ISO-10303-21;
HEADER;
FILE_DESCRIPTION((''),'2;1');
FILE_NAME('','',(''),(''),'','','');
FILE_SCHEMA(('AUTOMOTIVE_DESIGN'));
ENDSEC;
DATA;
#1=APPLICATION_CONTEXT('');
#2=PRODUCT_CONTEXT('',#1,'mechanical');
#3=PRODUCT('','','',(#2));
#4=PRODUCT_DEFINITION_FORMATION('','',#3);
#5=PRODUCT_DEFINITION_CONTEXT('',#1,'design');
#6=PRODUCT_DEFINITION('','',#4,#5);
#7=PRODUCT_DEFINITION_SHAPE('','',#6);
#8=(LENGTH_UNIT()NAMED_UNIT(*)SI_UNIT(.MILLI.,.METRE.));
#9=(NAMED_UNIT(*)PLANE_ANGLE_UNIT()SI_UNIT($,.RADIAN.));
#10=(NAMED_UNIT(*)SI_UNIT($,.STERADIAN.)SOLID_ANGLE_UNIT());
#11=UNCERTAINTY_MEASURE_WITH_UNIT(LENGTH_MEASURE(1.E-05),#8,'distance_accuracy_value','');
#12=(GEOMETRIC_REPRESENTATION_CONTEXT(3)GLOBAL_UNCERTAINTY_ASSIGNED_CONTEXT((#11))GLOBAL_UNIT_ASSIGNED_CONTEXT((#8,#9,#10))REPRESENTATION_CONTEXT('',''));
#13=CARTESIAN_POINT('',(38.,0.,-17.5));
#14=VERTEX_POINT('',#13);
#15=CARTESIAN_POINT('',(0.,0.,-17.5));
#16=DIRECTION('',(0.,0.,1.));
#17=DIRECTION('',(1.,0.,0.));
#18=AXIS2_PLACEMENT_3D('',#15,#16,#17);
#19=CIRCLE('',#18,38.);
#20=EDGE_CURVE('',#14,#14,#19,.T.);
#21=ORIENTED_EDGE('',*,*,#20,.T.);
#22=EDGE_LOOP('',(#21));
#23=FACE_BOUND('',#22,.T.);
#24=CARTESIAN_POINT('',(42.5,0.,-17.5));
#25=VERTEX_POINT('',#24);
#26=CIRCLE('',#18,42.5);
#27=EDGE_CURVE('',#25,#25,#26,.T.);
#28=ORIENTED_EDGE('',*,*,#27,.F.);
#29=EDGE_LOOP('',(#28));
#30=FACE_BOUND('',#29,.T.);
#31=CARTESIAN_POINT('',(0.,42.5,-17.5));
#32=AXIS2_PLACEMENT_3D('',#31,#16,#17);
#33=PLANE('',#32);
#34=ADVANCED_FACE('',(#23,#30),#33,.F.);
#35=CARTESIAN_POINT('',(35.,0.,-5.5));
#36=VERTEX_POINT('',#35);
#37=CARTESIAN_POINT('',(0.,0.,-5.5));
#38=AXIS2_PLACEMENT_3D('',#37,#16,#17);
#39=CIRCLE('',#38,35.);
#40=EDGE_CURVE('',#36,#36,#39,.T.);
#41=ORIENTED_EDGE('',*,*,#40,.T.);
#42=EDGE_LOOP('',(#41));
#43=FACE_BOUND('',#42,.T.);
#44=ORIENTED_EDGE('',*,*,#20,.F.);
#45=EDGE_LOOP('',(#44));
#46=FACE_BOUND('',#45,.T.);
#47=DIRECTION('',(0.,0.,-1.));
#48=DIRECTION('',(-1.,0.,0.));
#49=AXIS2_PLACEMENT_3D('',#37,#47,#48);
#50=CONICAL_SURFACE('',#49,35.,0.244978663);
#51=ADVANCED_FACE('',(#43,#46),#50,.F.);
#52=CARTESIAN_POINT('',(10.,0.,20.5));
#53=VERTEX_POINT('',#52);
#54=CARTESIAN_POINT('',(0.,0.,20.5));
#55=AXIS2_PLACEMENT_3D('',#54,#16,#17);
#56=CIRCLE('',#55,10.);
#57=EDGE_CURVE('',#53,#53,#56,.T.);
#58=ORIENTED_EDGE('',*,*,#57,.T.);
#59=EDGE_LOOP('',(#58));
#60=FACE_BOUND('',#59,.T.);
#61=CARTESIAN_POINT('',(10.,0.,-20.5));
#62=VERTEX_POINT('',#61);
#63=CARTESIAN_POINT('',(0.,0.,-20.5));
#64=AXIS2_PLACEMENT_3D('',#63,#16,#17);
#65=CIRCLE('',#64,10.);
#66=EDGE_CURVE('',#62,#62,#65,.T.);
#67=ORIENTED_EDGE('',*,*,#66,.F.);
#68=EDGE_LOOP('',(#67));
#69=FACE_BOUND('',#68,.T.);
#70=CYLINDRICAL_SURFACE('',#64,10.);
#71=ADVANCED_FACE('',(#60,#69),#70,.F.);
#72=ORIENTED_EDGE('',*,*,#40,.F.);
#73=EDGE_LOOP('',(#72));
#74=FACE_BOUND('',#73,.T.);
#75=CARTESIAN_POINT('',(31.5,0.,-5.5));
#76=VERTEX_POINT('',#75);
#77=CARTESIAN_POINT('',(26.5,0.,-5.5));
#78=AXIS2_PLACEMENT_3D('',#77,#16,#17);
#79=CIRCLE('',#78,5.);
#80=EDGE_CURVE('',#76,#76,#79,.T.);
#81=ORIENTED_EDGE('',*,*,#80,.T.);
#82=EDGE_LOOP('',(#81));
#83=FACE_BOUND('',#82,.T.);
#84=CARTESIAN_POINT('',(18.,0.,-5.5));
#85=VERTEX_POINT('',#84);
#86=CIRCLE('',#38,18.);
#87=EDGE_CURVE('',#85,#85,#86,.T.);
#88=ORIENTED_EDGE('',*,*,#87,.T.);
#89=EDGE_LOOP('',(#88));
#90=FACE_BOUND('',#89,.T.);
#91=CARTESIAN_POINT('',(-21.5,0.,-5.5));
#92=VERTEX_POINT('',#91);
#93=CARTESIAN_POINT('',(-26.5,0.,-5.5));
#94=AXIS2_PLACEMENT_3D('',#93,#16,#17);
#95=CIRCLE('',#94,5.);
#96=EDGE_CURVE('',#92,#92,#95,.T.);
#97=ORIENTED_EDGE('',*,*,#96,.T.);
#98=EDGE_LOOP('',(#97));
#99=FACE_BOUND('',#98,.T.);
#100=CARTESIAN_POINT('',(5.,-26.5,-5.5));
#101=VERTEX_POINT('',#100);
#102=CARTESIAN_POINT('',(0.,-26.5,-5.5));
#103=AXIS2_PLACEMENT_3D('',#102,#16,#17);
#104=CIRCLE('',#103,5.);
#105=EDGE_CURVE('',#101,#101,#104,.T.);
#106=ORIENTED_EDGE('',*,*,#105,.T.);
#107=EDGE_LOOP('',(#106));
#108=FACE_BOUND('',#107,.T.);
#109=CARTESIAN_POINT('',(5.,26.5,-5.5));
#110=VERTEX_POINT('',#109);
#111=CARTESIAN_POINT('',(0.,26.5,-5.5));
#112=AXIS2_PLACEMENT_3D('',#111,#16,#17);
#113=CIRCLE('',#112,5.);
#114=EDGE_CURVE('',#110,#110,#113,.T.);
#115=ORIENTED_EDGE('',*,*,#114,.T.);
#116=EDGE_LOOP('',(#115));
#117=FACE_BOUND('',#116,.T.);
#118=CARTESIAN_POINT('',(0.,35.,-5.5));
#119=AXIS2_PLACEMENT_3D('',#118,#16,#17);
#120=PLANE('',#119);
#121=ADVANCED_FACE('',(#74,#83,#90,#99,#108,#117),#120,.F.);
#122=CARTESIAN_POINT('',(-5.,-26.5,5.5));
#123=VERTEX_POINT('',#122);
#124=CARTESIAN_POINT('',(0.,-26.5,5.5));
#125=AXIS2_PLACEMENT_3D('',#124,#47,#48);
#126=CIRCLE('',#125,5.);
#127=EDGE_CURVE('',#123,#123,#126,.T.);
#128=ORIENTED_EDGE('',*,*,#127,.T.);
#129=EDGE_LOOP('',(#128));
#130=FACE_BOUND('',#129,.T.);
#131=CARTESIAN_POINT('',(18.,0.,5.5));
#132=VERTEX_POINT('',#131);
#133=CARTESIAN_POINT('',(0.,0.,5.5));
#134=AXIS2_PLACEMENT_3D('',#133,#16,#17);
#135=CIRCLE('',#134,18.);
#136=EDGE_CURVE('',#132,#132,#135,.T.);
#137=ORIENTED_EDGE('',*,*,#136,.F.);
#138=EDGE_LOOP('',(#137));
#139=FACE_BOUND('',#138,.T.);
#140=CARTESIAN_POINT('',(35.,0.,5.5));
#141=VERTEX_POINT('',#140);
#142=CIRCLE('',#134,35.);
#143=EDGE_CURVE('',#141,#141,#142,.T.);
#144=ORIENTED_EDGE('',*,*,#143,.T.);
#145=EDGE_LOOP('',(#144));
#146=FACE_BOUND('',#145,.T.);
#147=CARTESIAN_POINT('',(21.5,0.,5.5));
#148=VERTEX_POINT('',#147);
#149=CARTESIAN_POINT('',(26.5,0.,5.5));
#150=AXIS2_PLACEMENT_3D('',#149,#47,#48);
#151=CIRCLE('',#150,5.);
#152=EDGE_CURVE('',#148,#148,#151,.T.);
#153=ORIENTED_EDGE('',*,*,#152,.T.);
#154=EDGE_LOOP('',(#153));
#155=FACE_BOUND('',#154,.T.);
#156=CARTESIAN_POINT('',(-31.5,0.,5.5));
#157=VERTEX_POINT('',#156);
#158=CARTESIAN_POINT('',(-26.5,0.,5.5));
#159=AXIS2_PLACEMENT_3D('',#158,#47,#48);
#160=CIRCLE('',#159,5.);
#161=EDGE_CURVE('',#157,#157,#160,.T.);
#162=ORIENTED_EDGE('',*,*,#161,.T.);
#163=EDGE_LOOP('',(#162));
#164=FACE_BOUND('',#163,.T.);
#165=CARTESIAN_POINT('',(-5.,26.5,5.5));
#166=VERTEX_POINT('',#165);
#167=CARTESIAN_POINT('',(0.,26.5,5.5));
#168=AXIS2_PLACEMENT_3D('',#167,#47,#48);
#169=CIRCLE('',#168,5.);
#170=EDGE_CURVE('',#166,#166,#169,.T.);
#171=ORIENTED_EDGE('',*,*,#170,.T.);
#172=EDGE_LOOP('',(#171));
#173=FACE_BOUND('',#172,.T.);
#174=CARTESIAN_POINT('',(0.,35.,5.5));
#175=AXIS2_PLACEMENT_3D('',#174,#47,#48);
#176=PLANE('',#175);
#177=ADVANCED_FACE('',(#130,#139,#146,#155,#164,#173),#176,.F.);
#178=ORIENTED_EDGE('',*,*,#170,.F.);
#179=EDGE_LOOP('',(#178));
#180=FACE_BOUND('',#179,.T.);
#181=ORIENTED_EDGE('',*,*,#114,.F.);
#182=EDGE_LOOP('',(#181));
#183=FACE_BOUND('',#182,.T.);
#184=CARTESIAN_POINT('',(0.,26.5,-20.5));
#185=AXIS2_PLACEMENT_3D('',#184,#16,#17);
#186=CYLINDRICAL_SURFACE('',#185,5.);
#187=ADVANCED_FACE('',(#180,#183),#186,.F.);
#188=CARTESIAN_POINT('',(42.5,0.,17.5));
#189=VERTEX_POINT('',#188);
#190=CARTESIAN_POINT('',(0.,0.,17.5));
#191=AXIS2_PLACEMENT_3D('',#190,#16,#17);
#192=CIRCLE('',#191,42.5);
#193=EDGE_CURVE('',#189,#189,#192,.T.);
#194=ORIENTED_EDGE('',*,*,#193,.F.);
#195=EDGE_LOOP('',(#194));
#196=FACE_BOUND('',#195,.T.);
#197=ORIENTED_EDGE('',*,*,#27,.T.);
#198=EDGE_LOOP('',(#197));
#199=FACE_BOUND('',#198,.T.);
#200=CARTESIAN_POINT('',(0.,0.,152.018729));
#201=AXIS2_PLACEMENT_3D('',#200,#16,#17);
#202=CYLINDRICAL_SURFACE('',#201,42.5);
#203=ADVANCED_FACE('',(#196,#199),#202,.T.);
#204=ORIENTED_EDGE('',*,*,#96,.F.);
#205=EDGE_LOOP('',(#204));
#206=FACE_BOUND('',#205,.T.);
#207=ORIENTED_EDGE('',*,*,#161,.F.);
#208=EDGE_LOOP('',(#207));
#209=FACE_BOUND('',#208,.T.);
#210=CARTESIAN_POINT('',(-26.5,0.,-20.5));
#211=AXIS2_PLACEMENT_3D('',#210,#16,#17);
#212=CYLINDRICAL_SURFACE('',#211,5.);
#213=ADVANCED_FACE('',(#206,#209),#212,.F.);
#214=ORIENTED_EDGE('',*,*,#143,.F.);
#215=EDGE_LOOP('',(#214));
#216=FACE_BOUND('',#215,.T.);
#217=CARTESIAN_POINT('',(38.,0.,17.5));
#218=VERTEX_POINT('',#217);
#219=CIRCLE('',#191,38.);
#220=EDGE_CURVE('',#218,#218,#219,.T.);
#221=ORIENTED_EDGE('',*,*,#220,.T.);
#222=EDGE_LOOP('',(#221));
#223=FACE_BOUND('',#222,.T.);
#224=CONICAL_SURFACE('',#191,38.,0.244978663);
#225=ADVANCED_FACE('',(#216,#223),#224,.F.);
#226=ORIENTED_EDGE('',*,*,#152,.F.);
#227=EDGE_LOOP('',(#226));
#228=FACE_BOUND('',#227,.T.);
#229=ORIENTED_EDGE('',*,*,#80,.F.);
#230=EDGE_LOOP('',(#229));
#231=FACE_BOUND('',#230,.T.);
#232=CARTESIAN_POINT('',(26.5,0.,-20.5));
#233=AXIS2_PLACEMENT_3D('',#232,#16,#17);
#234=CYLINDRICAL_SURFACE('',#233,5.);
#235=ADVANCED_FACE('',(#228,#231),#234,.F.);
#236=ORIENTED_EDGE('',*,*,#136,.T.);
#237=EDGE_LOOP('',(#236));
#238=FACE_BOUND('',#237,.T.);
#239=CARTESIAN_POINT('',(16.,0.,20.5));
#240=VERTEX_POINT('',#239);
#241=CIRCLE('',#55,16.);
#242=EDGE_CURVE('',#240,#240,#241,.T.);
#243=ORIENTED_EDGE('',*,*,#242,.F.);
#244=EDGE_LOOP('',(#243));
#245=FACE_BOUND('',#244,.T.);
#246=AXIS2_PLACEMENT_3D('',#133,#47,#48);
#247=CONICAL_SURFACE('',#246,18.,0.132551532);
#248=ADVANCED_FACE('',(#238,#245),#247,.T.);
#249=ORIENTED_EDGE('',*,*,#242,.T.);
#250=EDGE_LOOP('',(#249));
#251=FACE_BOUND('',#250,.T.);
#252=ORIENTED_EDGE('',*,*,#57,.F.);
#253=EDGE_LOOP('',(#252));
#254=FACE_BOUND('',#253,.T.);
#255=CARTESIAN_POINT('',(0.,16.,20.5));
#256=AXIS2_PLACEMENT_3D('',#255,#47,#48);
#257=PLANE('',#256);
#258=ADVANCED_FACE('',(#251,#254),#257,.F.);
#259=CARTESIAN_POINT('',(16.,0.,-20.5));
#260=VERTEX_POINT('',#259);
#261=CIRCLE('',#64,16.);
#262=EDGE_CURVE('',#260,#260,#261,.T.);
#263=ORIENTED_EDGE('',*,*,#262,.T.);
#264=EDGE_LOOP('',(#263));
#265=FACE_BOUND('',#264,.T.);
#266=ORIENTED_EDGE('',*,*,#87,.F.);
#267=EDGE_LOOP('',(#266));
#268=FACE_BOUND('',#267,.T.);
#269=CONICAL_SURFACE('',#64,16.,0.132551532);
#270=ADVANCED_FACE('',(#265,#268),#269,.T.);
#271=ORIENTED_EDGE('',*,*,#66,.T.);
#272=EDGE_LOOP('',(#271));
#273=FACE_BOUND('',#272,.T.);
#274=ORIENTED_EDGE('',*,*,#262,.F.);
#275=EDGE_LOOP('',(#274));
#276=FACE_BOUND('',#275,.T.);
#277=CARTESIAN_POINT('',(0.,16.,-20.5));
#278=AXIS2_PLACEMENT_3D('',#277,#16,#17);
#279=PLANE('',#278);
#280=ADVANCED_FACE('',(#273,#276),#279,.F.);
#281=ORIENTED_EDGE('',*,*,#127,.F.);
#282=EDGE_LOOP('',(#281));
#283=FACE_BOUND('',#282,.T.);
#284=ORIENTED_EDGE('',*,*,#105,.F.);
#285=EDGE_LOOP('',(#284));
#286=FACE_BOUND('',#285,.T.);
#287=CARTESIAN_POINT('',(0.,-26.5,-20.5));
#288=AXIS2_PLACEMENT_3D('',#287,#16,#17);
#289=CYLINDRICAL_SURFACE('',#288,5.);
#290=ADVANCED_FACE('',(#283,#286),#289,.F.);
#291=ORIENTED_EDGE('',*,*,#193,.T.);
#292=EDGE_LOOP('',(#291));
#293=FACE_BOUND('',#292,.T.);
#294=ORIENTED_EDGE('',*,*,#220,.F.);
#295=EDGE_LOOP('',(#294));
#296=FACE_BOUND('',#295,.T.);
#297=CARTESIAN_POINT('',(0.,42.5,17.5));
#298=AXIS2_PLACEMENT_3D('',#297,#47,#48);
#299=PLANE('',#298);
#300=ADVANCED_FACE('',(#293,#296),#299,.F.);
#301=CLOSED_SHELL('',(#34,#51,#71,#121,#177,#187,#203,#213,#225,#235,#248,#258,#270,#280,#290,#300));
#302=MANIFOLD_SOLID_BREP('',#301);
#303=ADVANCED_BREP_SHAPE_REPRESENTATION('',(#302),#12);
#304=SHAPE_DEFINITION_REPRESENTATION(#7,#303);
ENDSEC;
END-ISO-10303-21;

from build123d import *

# Parameters (mm, degrees)
SKETCH3_R          = 10
SKETCH3_R_2        = 5
CUT_EXTRUDE1_DEPTH = 73.756443014


with BuildPart() as part:
    # Sketch2 → Revolve1 (revolve)
    with BuildSketch(Plane(origin=(0, 0, 0), x_dir=(0, 0, -1), z_dir=(1, 0, 0)), mode=Mode.PRIVATE) as revolve1_sk:
        Polygon((-17.5, 42.5), (17.5, 42.5), (17.5, 38), (5.5, 35), (5.5, 18), (20.5, 16), (20.5, 0), (-20.5, 0), (-20.5, 16), (-5.5, 18), (-5.5, 35), (-17.5, 38), align=None)
    revolve(revolve1_sk.sketch.rotate(Axis((0, 0, 152.018729057), (0, 0, -1)), 90), axis=Axis((0, 0, 152.018729057), (0, 0, -1)))

    # Sketch3 → Cut-Extrude1 (cut, through all)
    with BuildSketch(Plane.XY.offset(20.5)):
        Circle(SKETCH3_R)
        with Locations((0, 26.5)):
            Circle(SKETCH3_R_2)
        with Locations((26.5, 0)):
            Circle(SKETCH3_R_2)
        with Locations((0, -26.5)):
            Circle(SKETCH3_R_2)
        with Locations((-26.5, 0)):
            Circle(SKETCH3_R_2)
    extrude(amount=-CUT_EXTRUDE1_DEPTH, mode=Mode.SUBTRACT)


solid = part.part
